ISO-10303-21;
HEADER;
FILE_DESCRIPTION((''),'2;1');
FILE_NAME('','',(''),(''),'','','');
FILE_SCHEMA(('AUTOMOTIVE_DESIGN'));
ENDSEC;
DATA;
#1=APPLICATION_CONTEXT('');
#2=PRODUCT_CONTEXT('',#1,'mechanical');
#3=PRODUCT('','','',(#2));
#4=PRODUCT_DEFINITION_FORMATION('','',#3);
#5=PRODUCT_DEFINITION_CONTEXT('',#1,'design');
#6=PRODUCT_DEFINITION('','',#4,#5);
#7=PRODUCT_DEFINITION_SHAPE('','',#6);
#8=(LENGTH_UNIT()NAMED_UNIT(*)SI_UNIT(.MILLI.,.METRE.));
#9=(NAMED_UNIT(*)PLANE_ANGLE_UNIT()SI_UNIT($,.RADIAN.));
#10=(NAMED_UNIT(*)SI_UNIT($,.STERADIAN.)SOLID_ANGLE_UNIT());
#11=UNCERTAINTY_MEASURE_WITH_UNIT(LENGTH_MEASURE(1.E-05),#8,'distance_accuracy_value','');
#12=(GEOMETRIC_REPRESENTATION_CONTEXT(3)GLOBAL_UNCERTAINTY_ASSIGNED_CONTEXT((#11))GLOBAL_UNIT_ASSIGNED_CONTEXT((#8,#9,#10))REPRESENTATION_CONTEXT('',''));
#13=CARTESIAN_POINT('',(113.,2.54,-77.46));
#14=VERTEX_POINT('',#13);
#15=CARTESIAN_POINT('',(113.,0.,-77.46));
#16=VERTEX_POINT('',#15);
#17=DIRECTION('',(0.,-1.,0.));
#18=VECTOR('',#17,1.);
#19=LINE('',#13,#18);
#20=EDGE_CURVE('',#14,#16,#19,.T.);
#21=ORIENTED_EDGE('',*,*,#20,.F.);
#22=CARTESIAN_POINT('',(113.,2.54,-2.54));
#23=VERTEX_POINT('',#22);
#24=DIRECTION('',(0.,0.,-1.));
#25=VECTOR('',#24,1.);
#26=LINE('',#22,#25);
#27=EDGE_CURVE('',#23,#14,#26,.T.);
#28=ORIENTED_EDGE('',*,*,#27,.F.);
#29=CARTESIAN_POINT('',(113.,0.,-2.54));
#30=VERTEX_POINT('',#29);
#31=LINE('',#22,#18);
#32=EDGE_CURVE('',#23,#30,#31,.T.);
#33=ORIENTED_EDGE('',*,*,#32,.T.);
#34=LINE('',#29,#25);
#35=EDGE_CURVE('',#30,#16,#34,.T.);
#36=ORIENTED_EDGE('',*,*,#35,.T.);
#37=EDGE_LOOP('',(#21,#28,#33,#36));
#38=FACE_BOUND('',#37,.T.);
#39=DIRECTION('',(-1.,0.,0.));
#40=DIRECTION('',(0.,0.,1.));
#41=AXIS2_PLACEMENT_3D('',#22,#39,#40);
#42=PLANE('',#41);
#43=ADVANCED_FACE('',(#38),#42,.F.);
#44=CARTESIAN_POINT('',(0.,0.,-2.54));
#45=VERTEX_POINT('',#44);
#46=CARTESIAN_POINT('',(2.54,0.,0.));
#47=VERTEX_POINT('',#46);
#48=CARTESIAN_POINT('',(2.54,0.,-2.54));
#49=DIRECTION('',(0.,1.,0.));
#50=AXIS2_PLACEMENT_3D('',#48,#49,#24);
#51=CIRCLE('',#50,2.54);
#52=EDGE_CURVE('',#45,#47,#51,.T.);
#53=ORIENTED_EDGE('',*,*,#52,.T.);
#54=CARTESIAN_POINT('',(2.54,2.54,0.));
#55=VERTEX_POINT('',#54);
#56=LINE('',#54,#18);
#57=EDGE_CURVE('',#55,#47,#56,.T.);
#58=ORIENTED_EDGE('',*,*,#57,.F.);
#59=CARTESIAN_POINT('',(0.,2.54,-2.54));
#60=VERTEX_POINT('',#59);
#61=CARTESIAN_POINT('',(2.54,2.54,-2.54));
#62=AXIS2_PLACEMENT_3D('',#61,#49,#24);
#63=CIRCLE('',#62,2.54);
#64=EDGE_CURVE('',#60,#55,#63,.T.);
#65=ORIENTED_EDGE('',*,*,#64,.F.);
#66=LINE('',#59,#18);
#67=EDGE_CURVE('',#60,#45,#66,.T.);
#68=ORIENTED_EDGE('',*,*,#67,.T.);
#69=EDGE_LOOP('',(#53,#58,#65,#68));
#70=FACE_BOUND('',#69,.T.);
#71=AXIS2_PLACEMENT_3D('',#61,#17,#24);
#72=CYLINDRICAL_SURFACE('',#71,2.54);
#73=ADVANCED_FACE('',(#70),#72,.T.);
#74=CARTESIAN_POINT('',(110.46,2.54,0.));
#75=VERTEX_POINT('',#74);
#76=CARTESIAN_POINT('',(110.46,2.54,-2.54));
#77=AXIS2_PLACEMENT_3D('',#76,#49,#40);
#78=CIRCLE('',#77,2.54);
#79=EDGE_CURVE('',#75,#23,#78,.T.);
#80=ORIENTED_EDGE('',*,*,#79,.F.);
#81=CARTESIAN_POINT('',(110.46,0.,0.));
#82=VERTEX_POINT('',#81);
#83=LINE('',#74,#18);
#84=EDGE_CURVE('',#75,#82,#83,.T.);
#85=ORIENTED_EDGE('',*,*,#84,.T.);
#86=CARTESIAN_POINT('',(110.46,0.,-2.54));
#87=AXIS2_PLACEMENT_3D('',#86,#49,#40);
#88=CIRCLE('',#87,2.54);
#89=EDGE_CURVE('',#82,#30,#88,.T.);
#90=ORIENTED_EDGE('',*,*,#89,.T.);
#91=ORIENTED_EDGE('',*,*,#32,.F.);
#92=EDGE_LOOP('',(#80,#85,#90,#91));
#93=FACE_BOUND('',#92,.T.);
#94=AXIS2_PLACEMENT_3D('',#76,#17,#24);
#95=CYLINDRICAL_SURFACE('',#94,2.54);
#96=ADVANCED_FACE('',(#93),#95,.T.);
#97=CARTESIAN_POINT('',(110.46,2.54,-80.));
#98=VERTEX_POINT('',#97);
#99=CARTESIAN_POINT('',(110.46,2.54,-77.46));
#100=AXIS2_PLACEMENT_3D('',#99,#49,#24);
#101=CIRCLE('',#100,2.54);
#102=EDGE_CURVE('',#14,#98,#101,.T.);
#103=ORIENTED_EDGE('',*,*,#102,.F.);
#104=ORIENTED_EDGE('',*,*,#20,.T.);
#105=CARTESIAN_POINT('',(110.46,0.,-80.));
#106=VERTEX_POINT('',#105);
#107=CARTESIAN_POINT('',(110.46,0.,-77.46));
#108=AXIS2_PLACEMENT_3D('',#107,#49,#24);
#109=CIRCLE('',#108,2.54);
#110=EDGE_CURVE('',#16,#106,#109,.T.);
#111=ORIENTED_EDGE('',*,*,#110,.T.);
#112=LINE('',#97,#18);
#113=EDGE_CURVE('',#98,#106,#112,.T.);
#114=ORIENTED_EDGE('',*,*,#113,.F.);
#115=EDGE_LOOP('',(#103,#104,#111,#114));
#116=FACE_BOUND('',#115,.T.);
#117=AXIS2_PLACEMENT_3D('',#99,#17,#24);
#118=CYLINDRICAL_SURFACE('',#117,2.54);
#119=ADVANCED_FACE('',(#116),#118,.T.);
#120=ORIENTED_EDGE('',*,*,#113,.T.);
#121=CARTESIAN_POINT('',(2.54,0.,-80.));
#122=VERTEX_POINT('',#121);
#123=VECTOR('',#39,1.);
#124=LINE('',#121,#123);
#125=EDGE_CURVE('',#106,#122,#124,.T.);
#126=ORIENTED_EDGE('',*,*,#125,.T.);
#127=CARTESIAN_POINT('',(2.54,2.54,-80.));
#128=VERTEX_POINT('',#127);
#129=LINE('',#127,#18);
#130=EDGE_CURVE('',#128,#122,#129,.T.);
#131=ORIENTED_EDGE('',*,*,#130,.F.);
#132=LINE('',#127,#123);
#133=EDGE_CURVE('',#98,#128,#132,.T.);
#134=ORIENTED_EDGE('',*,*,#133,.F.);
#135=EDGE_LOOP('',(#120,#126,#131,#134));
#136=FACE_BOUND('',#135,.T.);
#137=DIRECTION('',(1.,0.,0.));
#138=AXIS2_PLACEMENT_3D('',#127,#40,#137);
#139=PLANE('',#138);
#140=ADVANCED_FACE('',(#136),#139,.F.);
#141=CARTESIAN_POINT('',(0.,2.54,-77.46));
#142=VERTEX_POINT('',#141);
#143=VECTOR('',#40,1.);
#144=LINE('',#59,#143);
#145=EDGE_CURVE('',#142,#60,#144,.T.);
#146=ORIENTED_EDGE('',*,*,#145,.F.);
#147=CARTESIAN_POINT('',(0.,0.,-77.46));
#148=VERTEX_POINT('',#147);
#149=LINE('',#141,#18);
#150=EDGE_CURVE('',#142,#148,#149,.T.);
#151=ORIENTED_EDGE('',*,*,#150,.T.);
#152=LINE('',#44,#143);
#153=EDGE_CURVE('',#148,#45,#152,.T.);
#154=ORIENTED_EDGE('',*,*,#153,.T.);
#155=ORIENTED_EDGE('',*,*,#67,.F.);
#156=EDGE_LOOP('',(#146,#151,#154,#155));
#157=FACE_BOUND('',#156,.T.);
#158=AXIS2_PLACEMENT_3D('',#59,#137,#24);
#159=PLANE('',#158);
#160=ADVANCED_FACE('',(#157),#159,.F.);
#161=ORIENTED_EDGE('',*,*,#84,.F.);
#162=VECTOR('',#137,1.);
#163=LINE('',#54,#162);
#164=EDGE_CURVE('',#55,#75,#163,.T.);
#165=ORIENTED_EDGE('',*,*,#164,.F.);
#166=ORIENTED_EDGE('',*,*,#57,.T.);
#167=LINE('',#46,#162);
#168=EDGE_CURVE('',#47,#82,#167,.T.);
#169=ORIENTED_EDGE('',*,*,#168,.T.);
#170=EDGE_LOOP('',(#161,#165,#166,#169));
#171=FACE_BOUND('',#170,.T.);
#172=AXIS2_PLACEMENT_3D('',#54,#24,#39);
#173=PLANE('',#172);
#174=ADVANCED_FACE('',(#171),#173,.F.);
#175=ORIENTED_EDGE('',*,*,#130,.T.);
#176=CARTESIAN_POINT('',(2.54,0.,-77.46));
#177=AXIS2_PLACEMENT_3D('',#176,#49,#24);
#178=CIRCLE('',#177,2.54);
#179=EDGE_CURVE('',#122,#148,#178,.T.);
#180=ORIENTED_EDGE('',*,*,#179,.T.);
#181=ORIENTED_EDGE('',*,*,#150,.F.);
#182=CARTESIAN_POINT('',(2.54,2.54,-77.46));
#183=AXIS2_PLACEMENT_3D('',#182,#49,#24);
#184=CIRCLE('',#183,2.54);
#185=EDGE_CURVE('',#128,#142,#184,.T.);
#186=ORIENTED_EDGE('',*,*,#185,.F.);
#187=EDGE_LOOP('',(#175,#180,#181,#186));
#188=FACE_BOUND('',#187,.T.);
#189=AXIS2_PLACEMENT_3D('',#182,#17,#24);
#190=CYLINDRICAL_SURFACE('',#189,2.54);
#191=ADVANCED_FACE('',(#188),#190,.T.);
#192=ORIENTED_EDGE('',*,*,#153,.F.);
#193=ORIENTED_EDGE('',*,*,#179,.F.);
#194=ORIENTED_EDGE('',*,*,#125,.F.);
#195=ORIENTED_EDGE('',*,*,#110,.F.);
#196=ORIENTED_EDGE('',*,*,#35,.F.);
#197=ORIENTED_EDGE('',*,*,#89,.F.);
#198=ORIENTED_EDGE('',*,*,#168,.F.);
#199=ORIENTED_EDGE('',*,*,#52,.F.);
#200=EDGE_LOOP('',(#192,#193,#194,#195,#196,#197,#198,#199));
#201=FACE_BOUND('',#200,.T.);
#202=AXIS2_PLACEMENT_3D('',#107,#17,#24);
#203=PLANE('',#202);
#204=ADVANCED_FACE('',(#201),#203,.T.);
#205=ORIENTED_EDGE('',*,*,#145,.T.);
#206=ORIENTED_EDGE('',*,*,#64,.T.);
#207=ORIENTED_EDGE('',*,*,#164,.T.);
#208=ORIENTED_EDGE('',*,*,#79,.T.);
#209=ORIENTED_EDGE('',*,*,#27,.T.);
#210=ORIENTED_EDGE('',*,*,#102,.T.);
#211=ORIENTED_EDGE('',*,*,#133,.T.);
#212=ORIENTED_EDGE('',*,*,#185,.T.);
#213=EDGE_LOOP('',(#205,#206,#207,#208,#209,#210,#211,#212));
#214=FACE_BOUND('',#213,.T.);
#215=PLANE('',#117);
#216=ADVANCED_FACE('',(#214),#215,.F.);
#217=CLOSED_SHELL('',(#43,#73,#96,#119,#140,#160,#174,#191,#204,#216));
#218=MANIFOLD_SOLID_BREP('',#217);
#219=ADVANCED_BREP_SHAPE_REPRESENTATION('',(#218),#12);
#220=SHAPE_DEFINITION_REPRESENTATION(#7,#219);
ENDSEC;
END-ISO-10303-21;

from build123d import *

# Parameters (mm, degrees)
BOSS_EXTRUDE1_DEPTH = 2.54


with BuildPart() as part:
    # Sketch1 → Boss-Extrude1 (new body)
    with BuildSketch(Plane(origin=(0, 0, 0), x_dir=(1, 0, 0), z_dir=(0, 1, 0))):
        with BuildLine():
            Line((2.54, 0), (110.46, 0))
            ThreePointArc((110.46, 0), (112.256051224, 0.743948776), (113, 2.54))
            Line((113, 2.54), (113, 77.46))
            ThreePointArc((113, 77.46), (112.256051224, 79.256051224), (110.46, 80))
            Line((110.46, 80), (2.54, 80))
            ThreePointArc((2.54, 80), (0.743948776, 79.256051224), (0, 77.46))
            Line((0, 77.46), (0, 2.54))
            ThreePointArc((0, 2.54), (0.743948776, 0.743948776), (2.54, 0))
        make_face()
    extrude(amount=BOSS_EXTRUDE1_DEPTH)


solid = part.part
